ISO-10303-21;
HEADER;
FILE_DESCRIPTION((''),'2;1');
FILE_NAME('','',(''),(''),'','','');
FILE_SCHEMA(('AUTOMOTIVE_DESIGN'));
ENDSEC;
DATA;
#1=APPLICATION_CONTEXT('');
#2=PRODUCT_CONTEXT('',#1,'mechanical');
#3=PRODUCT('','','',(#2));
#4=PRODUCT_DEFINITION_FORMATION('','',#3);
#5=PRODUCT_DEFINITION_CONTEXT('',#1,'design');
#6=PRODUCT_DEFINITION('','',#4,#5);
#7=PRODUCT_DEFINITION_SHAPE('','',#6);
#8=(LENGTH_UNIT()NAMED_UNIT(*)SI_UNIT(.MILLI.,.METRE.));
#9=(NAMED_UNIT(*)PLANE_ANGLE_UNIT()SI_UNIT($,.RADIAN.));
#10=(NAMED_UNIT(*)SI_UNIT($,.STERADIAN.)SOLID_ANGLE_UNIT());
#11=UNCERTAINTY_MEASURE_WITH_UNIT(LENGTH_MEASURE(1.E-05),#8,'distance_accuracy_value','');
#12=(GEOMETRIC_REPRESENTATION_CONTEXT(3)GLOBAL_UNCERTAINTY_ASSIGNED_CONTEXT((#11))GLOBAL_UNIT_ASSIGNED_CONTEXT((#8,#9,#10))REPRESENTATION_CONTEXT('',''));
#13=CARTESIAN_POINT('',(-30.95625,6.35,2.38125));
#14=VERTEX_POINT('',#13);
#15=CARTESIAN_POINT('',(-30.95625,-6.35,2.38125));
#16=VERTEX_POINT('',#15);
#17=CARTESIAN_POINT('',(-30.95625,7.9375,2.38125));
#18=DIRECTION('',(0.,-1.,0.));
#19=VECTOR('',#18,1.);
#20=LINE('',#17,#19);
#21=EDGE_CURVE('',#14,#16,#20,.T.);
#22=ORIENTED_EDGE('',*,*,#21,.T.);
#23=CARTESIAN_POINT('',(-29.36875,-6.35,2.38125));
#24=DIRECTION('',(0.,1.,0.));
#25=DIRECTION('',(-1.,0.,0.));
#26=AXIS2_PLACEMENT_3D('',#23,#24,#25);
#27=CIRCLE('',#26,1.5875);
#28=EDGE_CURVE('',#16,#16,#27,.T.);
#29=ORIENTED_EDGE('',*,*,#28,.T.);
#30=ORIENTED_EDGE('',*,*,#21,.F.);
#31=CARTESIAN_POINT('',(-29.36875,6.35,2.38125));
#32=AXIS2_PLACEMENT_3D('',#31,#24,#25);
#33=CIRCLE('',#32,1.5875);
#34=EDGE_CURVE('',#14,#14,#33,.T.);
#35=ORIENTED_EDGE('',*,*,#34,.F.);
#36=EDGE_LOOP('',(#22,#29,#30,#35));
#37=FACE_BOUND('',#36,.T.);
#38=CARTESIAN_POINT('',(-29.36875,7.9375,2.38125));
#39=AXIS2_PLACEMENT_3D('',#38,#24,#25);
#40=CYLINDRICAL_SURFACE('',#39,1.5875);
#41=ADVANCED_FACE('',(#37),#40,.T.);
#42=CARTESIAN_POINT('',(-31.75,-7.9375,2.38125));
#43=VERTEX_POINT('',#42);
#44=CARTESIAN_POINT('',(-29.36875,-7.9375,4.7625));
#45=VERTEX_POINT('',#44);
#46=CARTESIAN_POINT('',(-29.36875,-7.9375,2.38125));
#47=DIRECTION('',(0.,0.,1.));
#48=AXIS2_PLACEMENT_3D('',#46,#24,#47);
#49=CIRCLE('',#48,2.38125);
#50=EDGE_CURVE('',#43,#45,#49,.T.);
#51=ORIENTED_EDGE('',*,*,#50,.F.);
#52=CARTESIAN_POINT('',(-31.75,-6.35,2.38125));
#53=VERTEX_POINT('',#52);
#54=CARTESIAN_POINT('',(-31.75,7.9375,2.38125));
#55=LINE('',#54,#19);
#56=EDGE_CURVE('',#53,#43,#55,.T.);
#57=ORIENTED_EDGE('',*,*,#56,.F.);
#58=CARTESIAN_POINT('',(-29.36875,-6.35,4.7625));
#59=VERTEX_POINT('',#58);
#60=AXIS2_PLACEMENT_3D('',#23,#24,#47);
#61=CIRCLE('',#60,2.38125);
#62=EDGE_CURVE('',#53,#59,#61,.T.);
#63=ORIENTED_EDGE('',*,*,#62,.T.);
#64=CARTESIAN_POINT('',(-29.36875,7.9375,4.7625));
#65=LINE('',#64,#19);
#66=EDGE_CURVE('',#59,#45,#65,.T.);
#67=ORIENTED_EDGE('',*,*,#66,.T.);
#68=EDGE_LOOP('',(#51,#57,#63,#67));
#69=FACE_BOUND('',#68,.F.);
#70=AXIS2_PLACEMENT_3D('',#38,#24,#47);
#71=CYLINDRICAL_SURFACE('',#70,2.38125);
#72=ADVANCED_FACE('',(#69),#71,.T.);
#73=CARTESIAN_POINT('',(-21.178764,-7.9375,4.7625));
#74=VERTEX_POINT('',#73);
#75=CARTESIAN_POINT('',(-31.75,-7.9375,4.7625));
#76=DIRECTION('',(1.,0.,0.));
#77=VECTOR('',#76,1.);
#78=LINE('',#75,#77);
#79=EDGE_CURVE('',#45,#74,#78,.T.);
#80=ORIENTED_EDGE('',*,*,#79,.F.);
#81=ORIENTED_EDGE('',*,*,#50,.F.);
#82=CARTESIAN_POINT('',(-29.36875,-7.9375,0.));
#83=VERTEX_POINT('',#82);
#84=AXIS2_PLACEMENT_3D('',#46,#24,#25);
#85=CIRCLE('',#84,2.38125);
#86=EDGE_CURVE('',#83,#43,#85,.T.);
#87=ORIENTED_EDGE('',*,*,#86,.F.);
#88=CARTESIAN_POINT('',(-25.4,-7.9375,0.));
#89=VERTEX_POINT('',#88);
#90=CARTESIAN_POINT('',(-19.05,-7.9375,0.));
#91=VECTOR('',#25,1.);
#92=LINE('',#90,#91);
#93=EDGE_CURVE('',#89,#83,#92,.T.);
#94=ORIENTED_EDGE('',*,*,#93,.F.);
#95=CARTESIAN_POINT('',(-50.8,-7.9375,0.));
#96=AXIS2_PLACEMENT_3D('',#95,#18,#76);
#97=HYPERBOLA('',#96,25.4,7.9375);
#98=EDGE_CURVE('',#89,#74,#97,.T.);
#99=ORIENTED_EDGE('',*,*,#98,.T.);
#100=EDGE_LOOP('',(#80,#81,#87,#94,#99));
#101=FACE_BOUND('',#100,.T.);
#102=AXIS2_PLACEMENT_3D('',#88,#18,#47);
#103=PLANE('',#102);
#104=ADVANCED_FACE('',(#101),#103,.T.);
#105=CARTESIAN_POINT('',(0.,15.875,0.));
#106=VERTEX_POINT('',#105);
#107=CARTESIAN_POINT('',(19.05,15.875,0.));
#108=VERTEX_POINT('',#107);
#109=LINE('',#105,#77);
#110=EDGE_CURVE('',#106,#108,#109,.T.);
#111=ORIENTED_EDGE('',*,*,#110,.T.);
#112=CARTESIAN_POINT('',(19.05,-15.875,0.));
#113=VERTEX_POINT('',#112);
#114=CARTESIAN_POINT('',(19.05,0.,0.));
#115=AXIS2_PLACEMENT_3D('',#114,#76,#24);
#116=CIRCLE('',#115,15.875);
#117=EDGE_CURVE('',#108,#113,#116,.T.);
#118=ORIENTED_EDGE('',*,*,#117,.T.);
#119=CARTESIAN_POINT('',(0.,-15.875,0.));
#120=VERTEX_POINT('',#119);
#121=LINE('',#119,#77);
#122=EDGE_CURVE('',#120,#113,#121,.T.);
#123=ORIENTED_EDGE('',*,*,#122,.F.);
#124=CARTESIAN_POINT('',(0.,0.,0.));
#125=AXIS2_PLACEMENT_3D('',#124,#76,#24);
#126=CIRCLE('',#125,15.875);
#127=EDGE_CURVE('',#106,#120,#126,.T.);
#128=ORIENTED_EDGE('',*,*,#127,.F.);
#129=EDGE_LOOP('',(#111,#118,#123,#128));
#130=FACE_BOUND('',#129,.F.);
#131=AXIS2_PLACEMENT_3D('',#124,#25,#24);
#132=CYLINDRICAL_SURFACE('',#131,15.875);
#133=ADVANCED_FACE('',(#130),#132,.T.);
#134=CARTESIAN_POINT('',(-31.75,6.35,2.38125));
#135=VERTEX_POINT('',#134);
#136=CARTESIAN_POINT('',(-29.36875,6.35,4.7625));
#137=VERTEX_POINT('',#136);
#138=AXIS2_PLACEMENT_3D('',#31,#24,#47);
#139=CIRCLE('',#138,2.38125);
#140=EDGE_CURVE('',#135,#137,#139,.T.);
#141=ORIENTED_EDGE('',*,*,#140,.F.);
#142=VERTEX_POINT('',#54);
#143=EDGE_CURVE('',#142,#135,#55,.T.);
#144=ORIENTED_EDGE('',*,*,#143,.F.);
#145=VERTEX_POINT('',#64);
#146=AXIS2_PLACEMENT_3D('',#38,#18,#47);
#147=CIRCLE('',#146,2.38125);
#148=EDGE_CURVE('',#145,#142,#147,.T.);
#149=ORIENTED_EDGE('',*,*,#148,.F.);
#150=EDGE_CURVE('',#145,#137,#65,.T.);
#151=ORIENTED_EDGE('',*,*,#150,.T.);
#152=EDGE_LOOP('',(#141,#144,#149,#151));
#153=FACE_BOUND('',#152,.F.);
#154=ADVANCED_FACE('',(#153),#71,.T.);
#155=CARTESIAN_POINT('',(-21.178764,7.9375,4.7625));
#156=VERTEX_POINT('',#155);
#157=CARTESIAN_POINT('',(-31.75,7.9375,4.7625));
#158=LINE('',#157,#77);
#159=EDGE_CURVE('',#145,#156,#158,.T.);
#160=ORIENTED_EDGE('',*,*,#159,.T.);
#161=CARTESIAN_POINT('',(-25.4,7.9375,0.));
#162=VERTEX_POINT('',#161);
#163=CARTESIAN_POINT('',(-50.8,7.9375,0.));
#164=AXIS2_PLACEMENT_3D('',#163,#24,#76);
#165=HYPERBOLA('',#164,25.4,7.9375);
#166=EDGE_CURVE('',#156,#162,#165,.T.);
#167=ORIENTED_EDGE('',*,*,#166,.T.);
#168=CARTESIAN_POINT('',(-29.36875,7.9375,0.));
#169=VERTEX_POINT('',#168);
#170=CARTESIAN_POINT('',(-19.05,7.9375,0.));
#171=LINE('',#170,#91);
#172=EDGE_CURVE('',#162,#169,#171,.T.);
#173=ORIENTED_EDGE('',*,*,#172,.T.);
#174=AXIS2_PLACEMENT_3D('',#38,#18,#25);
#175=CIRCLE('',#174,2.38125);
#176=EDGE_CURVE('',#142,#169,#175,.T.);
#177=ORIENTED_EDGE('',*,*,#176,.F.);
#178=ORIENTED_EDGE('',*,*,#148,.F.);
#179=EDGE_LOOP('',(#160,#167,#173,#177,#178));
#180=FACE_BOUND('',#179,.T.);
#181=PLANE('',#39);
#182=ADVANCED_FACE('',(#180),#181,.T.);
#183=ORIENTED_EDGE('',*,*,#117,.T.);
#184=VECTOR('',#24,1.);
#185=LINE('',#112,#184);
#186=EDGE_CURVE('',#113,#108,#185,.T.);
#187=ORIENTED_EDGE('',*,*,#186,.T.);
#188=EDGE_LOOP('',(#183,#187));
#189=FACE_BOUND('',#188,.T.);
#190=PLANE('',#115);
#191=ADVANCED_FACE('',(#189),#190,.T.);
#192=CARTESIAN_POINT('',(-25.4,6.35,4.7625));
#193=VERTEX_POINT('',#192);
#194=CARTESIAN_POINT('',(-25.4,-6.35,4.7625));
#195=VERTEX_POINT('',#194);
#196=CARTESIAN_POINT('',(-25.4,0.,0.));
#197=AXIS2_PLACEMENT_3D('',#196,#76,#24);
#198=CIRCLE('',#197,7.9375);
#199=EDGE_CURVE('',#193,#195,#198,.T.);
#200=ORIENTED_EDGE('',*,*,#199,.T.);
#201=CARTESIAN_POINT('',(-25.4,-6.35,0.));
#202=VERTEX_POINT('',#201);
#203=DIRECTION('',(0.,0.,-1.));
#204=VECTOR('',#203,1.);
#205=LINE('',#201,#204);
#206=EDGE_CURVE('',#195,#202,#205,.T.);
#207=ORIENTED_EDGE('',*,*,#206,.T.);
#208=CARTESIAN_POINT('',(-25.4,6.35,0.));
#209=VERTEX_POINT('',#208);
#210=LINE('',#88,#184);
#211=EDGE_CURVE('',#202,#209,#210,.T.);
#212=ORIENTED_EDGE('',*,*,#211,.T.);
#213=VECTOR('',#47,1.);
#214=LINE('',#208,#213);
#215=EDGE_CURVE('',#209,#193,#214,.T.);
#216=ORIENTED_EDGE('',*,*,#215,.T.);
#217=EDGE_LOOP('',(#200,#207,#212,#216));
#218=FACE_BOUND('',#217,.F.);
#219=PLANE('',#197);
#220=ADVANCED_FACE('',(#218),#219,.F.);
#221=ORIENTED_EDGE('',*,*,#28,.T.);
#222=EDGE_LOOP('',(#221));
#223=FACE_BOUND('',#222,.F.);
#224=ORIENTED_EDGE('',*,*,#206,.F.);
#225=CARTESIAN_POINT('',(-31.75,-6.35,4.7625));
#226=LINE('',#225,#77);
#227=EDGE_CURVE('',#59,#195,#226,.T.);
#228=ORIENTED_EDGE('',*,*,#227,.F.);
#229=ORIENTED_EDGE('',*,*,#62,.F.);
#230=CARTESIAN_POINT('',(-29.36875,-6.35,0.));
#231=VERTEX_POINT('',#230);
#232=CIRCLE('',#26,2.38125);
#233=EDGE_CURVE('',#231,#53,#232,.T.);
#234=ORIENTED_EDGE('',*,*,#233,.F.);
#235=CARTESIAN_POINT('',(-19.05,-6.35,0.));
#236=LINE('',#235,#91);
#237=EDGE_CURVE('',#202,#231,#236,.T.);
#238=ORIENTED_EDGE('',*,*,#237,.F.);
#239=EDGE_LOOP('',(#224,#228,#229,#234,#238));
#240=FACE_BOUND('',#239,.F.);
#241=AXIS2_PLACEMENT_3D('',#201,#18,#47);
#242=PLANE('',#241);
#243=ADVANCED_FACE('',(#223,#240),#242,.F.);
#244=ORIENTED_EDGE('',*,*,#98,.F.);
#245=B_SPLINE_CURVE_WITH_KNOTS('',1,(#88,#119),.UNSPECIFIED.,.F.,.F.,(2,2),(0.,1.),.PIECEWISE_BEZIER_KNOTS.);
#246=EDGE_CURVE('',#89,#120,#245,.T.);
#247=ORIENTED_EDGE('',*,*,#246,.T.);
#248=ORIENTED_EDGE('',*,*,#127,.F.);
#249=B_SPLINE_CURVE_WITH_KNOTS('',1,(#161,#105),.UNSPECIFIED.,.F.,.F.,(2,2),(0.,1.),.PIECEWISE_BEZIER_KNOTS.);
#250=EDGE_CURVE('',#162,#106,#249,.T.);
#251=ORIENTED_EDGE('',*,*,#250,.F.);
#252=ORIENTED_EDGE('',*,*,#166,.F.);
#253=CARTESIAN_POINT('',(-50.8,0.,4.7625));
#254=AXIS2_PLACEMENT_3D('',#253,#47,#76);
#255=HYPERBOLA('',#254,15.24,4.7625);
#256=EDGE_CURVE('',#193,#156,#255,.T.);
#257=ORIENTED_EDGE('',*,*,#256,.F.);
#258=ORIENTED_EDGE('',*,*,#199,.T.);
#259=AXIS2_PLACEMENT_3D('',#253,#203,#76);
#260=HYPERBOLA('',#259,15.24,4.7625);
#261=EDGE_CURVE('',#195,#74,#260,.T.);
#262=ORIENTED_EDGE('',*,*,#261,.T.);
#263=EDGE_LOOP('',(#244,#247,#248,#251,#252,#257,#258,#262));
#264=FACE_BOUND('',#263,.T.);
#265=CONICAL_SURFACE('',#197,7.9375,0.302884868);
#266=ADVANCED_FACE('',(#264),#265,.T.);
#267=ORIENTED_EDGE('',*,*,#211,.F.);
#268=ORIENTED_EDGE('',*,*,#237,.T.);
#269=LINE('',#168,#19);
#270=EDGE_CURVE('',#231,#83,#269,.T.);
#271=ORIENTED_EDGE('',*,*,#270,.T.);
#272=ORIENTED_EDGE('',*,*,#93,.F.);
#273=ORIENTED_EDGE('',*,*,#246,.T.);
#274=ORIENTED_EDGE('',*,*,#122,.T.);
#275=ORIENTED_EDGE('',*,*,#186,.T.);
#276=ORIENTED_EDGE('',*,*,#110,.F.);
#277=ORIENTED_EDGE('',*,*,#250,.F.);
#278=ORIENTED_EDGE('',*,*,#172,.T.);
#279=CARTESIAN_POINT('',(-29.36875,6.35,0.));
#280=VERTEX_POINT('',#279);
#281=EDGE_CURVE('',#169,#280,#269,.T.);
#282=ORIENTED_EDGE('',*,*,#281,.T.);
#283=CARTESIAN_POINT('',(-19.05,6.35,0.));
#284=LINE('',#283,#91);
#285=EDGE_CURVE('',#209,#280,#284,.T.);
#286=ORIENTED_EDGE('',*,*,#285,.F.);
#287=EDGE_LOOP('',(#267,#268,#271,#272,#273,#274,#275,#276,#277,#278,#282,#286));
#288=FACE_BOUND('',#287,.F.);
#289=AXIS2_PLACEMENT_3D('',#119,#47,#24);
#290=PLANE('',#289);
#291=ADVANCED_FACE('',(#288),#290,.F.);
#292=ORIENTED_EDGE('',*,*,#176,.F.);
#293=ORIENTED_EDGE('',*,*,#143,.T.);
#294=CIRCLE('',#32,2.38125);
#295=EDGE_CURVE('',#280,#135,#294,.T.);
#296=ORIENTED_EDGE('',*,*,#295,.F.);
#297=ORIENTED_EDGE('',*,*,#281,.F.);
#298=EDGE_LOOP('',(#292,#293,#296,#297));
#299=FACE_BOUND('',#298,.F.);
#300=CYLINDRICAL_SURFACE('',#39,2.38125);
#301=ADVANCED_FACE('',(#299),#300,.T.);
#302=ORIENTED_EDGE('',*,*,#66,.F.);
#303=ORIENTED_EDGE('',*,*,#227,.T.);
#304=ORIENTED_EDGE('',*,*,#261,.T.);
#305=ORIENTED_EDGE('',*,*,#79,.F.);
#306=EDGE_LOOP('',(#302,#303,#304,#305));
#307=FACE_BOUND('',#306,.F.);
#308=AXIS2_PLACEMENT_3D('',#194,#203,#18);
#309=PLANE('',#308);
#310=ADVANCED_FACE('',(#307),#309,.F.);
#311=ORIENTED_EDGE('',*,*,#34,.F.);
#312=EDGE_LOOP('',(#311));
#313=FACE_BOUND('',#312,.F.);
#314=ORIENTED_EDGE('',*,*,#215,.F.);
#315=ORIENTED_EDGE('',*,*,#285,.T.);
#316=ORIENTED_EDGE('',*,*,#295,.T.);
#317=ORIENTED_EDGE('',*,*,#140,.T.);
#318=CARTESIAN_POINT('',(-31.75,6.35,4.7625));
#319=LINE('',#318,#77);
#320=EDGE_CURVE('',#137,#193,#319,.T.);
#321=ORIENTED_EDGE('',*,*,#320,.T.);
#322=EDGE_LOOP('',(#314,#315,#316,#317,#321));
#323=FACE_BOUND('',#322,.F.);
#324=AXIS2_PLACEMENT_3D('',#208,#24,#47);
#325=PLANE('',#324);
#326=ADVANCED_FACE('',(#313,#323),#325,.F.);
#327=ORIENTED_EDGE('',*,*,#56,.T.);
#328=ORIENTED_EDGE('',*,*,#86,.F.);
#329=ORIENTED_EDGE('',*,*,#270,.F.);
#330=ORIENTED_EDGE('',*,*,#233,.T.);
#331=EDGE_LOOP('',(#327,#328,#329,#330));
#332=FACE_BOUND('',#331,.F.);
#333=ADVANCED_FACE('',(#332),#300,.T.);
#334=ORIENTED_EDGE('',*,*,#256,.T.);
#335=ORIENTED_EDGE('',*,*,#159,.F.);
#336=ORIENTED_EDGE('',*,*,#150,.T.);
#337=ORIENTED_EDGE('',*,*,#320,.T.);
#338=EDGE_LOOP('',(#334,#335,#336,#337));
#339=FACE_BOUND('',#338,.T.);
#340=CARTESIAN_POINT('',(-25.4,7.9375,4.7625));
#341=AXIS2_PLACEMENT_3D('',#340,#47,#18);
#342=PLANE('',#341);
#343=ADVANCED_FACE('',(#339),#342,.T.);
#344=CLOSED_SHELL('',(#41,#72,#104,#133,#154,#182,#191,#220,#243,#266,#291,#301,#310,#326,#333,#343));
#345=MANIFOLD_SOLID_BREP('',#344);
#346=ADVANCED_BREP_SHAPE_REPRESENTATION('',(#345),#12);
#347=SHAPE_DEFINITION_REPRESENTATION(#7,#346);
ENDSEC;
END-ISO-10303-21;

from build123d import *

# Parameters (mm, degrees)
F4_DEPTH = 19.05
F5_W     = 1.5875
F5_H     = 4.7625
F6_DEPTH = 6.35
F8_DEPTH = 25.4
F7_R     = 1.5875
F9_DEPTH = 15.875


with BuildPart() as f3:
    # F2 (on offset) → F3 section 0
    with BuildSketch(Plane.YZ.offset(-25.4)):
        with BuildLine():
            Line((-7.9375, 0), (7.9375, 0))
            ThreePointArc((7.9375, 0), (0, 7.9375), (-7.9375, 0))
        make_face()
    # F0 (on Right) → F3 section 1
    with BuildSketch(Plane.YZ):
        with BuildLine():
            ThreePointArc((15.875, 0), (0, 15.875), (-15.875, 0))
            Line((-15.875, 0), (15.875, 0))
        make_face()
    loft()

    # F4 (add): a face of the model
    f4_faces = [f3.faces().sort_by_distance(p)[0] for p in [
        (0, 0, 6.7375592576),
    ]]
    extrude(f4_faces, amount=F4_DEPTH)

    # F5 (on face) → F6 (join, symmetric)
    with BuildSketch(Plane(origin=(-25.4, 0, 0), x_dir=(0, -1, 0), z_dir=(-1, 0, 0))):
        with Locations((-7.14375, 2.38125)):
            Rectangle(F5_W, F5_H)
        with Locations((7.14375, 2.38125)):
            Rectangle(F5_W, F5_H)
    extrude(amount=F6_DEPTH, both=True)

    # F7 (on face) → F8 (cut)
    with BuildSketch(Plane(origin=(0, 7.9375, 0), x_dir=(-1, 0, 0), z_dir=(0, 1, 0))):
        with BuildLine():
            ThreePointArc((29.36875, 4.7625), (31.0525480227, 4.0650480227), (31.75, 2.38125))
            Line((31.75, 2.38125), (31.75, 4.7625))
            Line((31.75, 4.7625), (29.36875, 4.7625))
        make_face()
        with BuildLine():
            Line((31.75, 0), (31.75, 2.38125))
            ThreePointArc((31.75, 2.38125), (31.0525480227, 0.6974519773), (29.36875, 0))
            Line((29.36875, 0), (31.75, 0))
        make_face()
    extrude(amount=-F8_DEPTH, mode=Mode.SUBTRACT)

    # F7 (on face) → F9 (join)
    with BuildSketch(Plane(origin=(0, 7.9375, 0), x_dir=(-1, 0, 0), z_dir=(0, 1, 0))):
        with Locations((29.36875, 2.38125)):
            Circle(F7_R)
    extrude(amount=-F9_DEPTH)


solid = f3.part
